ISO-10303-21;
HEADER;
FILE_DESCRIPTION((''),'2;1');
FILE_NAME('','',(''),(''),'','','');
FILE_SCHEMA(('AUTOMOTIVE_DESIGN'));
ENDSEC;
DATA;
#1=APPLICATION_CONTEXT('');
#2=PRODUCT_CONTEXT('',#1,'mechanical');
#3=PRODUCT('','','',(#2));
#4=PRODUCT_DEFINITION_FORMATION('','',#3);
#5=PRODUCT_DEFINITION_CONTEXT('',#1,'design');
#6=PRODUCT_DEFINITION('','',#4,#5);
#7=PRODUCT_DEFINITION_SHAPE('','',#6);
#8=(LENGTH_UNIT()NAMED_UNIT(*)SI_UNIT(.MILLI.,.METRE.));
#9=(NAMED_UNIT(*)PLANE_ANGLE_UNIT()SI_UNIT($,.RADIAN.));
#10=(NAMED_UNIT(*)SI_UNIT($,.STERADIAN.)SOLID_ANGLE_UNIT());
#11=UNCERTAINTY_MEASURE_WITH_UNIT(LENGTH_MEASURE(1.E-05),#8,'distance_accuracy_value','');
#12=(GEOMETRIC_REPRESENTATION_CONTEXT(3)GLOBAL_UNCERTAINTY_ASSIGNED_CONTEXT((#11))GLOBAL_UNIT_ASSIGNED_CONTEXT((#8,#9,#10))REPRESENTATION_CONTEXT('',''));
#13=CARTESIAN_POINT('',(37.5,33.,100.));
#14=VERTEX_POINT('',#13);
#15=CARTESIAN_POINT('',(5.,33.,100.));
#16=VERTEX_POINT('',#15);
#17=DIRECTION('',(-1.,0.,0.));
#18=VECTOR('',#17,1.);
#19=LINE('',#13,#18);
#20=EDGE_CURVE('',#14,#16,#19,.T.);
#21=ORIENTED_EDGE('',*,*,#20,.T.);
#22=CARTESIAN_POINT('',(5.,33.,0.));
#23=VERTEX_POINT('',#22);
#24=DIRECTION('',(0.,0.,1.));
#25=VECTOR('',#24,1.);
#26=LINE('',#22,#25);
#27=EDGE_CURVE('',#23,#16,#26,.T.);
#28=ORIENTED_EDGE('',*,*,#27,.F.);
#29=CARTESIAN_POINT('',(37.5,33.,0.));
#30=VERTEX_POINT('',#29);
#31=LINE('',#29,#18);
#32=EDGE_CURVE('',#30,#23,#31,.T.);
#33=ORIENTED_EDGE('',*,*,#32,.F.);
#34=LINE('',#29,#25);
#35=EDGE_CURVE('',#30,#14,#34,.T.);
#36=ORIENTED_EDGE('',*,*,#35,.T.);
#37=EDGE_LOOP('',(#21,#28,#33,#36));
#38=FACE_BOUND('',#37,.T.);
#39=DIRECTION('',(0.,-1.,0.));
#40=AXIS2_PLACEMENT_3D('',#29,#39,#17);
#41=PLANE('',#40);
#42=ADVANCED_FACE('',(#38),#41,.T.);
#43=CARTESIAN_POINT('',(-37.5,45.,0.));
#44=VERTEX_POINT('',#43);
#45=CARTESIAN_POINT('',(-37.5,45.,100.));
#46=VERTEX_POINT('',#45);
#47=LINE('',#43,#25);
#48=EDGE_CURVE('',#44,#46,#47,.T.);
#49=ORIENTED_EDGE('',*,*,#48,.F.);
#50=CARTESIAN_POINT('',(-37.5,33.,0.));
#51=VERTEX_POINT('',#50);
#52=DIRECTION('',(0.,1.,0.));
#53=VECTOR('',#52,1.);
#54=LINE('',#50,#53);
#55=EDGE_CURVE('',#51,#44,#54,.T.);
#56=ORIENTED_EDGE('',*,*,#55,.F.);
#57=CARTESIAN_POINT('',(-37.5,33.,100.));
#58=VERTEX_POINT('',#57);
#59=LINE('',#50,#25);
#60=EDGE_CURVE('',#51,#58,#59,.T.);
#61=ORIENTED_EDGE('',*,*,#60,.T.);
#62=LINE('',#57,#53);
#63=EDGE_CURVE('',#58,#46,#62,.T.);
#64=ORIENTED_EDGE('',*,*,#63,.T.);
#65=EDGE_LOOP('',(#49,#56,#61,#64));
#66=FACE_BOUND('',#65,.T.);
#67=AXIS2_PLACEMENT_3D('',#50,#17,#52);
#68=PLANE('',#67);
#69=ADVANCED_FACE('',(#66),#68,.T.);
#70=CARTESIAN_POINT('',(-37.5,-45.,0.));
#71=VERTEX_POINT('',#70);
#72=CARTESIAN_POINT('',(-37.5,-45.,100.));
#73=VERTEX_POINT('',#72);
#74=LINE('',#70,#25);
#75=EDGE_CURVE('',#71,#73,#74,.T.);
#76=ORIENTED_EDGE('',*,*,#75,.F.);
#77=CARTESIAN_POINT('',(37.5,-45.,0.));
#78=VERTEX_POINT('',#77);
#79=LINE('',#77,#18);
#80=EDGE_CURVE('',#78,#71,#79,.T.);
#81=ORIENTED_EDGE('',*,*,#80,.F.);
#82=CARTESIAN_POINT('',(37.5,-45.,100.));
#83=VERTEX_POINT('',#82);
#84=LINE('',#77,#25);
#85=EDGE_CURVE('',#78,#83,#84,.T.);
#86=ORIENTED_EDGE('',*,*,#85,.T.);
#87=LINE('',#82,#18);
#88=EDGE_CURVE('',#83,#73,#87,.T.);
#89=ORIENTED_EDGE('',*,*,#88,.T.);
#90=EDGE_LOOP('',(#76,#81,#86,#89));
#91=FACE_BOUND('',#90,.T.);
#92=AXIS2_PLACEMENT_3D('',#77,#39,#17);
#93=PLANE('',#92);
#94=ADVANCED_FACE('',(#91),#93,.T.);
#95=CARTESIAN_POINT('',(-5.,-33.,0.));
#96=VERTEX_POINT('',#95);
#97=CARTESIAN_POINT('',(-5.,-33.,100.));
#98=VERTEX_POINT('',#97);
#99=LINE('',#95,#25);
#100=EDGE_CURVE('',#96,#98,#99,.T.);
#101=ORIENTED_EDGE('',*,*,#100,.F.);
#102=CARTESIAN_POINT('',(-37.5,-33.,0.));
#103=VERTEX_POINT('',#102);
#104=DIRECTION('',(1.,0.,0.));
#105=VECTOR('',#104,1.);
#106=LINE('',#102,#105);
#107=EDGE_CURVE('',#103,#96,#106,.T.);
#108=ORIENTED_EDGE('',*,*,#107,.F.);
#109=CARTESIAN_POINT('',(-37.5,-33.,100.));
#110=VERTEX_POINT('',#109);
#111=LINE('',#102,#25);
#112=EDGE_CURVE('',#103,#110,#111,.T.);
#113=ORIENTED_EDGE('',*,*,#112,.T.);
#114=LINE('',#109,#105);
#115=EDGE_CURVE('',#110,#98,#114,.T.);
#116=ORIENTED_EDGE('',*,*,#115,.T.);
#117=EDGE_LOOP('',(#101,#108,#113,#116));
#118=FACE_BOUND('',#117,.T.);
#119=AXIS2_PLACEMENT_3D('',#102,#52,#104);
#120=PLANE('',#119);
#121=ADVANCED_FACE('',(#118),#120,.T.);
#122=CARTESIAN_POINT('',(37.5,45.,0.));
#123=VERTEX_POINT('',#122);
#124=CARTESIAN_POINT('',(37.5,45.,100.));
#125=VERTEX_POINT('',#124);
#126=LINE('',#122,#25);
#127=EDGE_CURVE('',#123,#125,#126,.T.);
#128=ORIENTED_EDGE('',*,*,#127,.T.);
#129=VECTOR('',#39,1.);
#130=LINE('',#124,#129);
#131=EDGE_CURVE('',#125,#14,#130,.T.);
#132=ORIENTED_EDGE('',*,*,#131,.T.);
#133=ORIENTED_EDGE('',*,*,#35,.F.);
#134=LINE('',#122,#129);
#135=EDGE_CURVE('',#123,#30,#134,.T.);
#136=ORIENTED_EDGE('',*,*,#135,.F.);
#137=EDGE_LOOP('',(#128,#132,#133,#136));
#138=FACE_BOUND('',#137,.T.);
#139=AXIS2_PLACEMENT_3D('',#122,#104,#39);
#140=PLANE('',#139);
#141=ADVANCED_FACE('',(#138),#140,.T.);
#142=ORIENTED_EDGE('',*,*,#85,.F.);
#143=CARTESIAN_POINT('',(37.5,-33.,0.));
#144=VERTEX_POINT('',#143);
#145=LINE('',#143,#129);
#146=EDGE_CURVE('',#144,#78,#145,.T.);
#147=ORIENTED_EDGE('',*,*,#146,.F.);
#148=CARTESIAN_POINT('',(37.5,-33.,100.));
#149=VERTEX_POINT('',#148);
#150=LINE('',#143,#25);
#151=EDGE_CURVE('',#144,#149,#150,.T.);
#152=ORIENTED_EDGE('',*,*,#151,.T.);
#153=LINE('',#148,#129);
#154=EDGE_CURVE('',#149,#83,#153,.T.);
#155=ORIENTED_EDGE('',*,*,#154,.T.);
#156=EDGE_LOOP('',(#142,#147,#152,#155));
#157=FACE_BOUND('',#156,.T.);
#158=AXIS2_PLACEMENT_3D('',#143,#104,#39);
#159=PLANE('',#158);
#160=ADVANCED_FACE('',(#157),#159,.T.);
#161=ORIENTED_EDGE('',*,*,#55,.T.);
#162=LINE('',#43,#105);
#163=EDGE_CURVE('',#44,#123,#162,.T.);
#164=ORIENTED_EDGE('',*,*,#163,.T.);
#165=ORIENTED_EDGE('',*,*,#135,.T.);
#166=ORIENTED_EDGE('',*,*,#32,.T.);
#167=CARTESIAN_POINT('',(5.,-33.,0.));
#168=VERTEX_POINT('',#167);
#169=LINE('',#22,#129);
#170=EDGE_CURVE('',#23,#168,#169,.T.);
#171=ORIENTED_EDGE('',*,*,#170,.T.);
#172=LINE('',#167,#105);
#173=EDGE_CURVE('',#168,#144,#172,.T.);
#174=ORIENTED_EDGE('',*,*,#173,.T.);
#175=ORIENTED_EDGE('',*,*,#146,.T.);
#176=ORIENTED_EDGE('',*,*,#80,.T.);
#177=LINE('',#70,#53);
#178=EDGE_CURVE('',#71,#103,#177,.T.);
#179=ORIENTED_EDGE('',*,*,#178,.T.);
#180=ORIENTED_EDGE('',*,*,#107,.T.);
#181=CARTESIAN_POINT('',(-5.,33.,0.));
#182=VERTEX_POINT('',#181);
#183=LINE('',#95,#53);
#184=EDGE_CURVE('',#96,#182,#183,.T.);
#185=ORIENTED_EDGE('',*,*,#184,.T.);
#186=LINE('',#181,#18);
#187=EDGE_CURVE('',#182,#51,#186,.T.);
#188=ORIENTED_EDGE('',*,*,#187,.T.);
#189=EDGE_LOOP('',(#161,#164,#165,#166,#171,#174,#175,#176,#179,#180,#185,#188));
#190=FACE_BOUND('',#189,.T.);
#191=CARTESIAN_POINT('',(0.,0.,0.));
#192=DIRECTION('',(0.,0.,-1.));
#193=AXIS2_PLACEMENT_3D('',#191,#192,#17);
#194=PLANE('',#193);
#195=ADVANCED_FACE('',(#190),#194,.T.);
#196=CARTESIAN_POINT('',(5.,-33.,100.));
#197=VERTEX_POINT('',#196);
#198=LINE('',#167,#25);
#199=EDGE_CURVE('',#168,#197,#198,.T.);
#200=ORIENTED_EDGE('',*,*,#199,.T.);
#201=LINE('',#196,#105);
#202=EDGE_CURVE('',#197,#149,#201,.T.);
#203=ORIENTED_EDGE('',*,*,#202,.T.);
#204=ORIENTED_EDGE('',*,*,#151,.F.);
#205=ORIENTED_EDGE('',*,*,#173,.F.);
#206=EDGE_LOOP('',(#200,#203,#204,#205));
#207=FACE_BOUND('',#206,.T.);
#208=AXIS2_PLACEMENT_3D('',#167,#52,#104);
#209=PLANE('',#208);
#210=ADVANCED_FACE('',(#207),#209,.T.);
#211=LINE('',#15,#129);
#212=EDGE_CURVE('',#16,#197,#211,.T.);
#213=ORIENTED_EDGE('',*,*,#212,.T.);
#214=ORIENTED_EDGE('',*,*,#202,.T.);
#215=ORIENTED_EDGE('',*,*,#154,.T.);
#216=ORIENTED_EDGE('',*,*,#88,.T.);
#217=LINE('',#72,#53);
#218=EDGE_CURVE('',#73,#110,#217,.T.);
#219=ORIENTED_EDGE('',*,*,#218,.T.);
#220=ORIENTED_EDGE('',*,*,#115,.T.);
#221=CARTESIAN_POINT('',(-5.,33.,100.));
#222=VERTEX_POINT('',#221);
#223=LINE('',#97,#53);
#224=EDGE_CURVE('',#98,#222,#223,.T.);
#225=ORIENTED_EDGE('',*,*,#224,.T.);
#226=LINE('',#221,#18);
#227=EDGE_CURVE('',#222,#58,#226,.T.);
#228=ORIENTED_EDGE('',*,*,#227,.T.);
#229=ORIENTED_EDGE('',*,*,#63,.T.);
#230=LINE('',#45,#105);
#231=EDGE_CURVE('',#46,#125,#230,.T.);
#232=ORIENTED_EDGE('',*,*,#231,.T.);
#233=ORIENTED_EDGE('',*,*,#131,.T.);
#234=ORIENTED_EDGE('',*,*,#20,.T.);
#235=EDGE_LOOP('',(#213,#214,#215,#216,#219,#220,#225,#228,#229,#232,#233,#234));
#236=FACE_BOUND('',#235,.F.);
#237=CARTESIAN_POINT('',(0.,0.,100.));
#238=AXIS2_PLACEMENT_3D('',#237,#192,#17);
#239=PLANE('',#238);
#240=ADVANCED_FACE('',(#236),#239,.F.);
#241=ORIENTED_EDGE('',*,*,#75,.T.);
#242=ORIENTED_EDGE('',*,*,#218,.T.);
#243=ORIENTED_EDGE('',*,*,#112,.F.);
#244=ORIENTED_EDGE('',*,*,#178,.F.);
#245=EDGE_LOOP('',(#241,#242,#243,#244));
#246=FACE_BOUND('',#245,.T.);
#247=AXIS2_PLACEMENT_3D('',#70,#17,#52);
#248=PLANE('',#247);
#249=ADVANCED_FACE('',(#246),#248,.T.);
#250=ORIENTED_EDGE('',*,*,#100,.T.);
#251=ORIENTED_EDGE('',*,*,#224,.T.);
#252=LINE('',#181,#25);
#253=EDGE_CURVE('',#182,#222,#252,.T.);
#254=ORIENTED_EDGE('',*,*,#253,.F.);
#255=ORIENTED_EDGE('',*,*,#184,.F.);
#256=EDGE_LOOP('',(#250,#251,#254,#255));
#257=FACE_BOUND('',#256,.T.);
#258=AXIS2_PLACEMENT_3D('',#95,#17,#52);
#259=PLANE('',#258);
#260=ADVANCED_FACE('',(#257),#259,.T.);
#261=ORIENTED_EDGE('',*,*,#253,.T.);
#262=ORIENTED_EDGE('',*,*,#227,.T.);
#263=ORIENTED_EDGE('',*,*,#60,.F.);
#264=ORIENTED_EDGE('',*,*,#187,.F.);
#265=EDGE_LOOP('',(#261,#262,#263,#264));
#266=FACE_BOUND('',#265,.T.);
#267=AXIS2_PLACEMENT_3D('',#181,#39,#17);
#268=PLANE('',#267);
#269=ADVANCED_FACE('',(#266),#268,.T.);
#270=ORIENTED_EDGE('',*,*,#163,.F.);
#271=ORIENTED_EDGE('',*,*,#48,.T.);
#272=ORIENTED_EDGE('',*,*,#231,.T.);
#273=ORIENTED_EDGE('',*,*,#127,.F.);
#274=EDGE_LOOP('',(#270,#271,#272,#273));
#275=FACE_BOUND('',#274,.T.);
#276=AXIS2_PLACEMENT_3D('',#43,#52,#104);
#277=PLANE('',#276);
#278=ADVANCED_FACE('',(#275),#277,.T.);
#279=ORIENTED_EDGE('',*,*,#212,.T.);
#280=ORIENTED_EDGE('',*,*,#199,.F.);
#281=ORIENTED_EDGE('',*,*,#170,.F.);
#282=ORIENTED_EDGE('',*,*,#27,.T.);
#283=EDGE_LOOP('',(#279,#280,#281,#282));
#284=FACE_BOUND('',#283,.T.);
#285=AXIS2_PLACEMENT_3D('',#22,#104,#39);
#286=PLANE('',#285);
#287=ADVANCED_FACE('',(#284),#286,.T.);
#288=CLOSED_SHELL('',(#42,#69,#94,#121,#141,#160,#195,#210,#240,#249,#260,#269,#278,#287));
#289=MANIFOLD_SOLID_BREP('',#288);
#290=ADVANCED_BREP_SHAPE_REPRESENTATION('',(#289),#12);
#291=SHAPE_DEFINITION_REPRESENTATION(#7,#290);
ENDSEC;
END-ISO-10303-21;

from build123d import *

# Parameters (mm, degrees)
PAD_DEPTH = 100


with BuildPart() as part:
    # Sketch → Pad (new body)
    with BuildSketch(Plane.XY):
        Polygon((-37.5, 45), (37.5, 45), (37.5, 33), (5, 33), (5, -33), (37.5, -33), (37.5, -45), (-37.5, -45), (-37.5, -33), (-5, -33), (-5, 33), (-37.5, 33), align=None)
    extrude(amount=PAD_DEPTH)


solid = part.part
